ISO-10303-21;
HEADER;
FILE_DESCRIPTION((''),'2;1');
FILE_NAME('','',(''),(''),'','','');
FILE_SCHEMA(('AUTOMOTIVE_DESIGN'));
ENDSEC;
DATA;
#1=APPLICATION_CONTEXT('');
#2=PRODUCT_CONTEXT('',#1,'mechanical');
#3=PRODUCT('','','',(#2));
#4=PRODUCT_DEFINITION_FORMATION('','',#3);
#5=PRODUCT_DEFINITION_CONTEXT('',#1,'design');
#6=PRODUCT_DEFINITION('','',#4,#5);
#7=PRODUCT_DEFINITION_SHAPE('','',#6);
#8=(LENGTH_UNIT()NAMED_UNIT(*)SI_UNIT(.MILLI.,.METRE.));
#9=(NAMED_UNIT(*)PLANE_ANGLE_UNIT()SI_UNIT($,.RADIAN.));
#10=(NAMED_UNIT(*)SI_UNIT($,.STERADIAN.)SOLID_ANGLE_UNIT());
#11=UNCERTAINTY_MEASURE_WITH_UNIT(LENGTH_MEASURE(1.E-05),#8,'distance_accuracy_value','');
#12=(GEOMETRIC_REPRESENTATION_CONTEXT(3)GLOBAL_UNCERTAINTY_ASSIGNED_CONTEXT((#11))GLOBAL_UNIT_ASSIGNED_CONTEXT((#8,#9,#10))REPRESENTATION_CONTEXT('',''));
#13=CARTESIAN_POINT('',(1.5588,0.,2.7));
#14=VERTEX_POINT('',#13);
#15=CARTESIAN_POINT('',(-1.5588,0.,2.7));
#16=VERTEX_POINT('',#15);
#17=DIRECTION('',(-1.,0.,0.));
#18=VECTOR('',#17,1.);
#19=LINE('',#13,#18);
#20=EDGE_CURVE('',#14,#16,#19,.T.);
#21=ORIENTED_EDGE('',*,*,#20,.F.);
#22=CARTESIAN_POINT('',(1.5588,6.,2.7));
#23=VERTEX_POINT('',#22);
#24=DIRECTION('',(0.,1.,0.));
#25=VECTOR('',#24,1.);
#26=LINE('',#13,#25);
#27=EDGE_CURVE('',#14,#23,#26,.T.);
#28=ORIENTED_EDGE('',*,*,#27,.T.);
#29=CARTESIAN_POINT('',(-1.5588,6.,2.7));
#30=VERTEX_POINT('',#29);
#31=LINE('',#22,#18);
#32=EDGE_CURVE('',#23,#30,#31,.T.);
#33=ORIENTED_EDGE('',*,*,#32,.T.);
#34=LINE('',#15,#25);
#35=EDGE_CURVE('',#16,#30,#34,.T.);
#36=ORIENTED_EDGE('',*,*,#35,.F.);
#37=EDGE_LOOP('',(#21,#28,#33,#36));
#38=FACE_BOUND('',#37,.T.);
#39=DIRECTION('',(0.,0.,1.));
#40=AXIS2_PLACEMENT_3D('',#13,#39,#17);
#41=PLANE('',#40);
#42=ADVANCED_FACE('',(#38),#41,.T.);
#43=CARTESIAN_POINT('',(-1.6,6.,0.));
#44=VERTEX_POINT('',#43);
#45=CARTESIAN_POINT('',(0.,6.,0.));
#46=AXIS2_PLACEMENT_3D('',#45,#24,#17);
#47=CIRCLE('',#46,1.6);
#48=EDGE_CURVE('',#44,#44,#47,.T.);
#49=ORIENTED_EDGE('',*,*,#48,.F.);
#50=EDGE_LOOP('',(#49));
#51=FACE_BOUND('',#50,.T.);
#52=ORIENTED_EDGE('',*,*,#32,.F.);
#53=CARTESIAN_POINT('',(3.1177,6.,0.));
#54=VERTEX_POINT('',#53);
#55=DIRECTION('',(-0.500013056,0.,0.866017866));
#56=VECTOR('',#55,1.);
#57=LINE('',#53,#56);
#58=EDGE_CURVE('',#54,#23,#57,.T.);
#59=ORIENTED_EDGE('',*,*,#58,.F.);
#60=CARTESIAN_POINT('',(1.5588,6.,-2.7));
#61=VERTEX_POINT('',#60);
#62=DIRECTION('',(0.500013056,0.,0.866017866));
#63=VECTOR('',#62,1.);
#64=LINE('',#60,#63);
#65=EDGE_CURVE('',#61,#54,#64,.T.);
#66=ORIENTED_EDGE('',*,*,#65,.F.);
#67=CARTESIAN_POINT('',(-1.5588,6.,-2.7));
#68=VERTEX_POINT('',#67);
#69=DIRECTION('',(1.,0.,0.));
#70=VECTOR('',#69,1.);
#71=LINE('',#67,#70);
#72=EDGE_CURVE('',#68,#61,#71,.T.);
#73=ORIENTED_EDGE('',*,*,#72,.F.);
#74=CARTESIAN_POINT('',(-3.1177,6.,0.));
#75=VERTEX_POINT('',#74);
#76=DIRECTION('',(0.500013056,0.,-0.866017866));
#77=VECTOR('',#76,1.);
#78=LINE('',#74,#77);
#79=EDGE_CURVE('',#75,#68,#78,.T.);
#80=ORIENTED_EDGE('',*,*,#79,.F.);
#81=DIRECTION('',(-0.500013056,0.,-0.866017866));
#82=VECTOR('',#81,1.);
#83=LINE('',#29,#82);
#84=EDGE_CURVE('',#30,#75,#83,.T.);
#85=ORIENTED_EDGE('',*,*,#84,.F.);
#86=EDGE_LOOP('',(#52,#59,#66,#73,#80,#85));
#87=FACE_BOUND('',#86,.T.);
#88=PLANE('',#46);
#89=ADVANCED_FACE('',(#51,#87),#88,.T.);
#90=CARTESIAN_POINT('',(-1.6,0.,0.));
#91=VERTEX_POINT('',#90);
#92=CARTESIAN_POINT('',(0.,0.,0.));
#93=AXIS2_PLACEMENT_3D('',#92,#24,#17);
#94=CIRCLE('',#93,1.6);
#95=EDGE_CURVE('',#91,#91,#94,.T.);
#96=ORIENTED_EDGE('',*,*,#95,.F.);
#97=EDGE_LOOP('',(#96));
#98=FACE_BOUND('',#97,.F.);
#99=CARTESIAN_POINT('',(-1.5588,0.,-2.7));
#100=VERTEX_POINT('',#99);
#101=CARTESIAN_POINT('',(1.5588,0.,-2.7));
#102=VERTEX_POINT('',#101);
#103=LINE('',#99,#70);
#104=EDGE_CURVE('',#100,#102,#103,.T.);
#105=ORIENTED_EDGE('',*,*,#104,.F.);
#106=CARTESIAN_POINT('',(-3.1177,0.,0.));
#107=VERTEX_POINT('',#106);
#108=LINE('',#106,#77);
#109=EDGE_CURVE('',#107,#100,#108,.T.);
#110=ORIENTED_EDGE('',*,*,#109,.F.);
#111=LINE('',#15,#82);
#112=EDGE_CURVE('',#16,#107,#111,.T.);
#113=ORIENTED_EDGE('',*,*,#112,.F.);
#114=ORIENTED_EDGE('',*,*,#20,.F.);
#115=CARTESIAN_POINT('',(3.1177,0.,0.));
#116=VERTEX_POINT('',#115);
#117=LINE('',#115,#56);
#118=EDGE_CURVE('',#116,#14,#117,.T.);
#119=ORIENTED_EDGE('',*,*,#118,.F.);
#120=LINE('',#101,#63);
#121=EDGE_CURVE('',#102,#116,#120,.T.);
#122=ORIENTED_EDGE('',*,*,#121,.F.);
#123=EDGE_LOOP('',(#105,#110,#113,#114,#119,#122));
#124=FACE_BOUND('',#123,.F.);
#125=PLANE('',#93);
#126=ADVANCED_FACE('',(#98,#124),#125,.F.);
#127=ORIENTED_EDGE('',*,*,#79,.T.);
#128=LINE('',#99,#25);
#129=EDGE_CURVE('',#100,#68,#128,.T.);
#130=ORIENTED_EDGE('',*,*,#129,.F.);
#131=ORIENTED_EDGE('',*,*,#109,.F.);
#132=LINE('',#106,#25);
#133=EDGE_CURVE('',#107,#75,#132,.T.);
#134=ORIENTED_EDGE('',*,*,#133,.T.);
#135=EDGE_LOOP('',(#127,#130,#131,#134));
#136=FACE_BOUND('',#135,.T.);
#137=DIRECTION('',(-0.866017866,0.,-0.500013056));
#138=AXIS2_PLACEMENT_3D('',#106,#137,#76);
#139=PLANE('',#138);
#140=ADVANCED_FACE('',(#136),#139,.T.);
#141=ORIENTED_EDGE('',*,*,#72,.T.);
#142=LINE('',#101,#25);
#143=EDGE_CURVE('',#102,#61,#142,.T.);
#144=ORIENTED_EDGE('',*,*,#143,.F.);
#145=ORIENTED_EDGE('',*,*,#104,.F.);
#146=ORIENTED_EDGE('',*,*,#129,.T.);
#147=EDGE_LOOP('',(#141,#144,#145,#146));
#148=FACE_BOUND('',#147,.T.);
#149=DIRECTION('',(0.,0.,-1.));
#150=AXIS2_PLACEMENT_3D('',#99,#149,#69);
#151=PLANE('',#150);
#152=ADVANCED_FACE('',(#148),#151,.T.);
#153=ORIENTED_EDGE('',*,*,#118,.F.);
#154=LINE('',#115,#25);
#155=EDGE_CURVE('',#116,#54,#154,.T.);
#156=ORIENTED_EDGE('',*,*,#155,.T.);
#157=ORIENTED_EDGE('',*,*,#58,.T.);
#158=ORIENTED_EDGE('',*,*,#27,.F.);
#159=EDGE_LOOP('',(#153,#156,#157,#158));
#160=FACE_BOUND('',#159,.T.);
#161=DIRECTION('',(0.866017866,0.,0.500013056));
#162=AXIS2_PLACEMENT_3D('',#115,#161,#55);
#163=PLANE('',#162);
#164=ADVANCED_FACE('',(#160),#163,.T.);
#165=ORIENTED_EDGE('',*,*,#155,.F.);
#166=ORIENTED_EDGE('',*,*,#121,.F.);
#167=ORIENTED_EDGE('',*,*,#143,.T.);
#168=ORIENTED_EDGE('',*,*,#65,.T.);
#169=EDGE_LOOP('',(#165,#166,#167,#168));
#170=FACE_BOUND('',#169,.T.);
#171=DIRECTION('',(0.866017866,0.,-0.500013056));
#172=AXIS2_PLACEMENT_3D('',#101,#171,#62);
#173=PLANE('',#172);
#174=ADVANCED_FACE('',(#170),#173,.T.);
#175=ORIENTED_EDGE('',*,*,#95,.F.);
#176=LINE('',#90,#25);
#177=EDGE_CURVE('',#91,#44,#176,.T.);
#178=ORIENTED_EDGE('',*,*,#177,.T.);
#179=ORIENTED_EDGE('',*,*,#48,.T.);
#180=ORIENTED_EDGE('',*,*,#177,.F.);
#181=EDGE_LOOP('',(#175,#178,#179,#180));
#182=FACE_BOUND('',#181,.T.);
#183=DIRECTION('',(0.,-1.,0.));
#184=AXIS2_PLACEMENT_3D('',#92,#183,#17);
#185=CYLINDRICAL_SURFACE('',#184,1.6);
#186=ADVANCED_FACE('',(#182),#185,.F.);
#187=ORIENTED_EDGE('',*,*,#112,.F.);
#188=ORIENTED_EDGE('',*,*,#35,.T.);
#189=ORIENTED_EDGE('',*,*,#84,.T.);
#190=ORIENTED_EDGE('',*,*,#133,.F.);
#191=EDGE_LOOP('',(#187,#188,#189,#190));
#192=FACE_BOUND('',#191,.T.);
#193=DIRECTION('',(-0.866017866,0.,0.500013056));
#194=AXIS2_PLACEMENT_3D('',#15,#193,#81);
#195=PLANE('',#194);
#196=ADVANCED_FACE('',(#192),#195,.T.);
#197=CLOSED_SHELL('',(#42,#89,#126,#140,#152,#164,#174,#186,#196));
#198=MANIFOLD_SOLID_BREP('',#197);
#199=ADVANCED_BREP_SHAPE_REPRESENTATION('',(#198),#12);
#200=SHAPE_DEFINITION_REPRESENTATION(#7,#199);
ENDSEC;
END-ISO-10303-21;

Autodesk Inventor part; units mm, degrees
ref_plane "YZ Plane" through (0, 0, 0) normal (1, 0, 0) x (0, 1, 0)
ref_plane "XZ Plane" through (0, 0, 0) normal (0, 1, 0) x (-1, 0, 0)
ref_plane "XY Plane" through (0, 0, 0) normal (0, 0, 1) x (1, 0, 0)
sketch "Sketch1" plane through (0, 0, 0) normal (0, 1, 0) x (-1, 0, 0)
  line L0 (1.5588, -2.7) -> (-1.5588, -2.7)
  line L1 (-1.5588, -2.7) -> (-3.1177, 0)
  line L2 (-3.1177, 0) -> (-1.5588, 2.7)
  line L3 (-1.5588, 2.7) -> (1.5588, 2.7)
  line L4 (1.5588, 2.7) -> (3.1177, 0)
  line L5 (3.1177, 0) -> (1.5588, -2.7)
  circle A0 centre (0, 0) radius 1.6
  dimension "d0" = 5.4
  dimension "d1" = 3.2
extrude "Extrusion1" add sketch "Sketch1" along normal blind 6
properties part number "hexstandoff" material "Nylon 6/6"
